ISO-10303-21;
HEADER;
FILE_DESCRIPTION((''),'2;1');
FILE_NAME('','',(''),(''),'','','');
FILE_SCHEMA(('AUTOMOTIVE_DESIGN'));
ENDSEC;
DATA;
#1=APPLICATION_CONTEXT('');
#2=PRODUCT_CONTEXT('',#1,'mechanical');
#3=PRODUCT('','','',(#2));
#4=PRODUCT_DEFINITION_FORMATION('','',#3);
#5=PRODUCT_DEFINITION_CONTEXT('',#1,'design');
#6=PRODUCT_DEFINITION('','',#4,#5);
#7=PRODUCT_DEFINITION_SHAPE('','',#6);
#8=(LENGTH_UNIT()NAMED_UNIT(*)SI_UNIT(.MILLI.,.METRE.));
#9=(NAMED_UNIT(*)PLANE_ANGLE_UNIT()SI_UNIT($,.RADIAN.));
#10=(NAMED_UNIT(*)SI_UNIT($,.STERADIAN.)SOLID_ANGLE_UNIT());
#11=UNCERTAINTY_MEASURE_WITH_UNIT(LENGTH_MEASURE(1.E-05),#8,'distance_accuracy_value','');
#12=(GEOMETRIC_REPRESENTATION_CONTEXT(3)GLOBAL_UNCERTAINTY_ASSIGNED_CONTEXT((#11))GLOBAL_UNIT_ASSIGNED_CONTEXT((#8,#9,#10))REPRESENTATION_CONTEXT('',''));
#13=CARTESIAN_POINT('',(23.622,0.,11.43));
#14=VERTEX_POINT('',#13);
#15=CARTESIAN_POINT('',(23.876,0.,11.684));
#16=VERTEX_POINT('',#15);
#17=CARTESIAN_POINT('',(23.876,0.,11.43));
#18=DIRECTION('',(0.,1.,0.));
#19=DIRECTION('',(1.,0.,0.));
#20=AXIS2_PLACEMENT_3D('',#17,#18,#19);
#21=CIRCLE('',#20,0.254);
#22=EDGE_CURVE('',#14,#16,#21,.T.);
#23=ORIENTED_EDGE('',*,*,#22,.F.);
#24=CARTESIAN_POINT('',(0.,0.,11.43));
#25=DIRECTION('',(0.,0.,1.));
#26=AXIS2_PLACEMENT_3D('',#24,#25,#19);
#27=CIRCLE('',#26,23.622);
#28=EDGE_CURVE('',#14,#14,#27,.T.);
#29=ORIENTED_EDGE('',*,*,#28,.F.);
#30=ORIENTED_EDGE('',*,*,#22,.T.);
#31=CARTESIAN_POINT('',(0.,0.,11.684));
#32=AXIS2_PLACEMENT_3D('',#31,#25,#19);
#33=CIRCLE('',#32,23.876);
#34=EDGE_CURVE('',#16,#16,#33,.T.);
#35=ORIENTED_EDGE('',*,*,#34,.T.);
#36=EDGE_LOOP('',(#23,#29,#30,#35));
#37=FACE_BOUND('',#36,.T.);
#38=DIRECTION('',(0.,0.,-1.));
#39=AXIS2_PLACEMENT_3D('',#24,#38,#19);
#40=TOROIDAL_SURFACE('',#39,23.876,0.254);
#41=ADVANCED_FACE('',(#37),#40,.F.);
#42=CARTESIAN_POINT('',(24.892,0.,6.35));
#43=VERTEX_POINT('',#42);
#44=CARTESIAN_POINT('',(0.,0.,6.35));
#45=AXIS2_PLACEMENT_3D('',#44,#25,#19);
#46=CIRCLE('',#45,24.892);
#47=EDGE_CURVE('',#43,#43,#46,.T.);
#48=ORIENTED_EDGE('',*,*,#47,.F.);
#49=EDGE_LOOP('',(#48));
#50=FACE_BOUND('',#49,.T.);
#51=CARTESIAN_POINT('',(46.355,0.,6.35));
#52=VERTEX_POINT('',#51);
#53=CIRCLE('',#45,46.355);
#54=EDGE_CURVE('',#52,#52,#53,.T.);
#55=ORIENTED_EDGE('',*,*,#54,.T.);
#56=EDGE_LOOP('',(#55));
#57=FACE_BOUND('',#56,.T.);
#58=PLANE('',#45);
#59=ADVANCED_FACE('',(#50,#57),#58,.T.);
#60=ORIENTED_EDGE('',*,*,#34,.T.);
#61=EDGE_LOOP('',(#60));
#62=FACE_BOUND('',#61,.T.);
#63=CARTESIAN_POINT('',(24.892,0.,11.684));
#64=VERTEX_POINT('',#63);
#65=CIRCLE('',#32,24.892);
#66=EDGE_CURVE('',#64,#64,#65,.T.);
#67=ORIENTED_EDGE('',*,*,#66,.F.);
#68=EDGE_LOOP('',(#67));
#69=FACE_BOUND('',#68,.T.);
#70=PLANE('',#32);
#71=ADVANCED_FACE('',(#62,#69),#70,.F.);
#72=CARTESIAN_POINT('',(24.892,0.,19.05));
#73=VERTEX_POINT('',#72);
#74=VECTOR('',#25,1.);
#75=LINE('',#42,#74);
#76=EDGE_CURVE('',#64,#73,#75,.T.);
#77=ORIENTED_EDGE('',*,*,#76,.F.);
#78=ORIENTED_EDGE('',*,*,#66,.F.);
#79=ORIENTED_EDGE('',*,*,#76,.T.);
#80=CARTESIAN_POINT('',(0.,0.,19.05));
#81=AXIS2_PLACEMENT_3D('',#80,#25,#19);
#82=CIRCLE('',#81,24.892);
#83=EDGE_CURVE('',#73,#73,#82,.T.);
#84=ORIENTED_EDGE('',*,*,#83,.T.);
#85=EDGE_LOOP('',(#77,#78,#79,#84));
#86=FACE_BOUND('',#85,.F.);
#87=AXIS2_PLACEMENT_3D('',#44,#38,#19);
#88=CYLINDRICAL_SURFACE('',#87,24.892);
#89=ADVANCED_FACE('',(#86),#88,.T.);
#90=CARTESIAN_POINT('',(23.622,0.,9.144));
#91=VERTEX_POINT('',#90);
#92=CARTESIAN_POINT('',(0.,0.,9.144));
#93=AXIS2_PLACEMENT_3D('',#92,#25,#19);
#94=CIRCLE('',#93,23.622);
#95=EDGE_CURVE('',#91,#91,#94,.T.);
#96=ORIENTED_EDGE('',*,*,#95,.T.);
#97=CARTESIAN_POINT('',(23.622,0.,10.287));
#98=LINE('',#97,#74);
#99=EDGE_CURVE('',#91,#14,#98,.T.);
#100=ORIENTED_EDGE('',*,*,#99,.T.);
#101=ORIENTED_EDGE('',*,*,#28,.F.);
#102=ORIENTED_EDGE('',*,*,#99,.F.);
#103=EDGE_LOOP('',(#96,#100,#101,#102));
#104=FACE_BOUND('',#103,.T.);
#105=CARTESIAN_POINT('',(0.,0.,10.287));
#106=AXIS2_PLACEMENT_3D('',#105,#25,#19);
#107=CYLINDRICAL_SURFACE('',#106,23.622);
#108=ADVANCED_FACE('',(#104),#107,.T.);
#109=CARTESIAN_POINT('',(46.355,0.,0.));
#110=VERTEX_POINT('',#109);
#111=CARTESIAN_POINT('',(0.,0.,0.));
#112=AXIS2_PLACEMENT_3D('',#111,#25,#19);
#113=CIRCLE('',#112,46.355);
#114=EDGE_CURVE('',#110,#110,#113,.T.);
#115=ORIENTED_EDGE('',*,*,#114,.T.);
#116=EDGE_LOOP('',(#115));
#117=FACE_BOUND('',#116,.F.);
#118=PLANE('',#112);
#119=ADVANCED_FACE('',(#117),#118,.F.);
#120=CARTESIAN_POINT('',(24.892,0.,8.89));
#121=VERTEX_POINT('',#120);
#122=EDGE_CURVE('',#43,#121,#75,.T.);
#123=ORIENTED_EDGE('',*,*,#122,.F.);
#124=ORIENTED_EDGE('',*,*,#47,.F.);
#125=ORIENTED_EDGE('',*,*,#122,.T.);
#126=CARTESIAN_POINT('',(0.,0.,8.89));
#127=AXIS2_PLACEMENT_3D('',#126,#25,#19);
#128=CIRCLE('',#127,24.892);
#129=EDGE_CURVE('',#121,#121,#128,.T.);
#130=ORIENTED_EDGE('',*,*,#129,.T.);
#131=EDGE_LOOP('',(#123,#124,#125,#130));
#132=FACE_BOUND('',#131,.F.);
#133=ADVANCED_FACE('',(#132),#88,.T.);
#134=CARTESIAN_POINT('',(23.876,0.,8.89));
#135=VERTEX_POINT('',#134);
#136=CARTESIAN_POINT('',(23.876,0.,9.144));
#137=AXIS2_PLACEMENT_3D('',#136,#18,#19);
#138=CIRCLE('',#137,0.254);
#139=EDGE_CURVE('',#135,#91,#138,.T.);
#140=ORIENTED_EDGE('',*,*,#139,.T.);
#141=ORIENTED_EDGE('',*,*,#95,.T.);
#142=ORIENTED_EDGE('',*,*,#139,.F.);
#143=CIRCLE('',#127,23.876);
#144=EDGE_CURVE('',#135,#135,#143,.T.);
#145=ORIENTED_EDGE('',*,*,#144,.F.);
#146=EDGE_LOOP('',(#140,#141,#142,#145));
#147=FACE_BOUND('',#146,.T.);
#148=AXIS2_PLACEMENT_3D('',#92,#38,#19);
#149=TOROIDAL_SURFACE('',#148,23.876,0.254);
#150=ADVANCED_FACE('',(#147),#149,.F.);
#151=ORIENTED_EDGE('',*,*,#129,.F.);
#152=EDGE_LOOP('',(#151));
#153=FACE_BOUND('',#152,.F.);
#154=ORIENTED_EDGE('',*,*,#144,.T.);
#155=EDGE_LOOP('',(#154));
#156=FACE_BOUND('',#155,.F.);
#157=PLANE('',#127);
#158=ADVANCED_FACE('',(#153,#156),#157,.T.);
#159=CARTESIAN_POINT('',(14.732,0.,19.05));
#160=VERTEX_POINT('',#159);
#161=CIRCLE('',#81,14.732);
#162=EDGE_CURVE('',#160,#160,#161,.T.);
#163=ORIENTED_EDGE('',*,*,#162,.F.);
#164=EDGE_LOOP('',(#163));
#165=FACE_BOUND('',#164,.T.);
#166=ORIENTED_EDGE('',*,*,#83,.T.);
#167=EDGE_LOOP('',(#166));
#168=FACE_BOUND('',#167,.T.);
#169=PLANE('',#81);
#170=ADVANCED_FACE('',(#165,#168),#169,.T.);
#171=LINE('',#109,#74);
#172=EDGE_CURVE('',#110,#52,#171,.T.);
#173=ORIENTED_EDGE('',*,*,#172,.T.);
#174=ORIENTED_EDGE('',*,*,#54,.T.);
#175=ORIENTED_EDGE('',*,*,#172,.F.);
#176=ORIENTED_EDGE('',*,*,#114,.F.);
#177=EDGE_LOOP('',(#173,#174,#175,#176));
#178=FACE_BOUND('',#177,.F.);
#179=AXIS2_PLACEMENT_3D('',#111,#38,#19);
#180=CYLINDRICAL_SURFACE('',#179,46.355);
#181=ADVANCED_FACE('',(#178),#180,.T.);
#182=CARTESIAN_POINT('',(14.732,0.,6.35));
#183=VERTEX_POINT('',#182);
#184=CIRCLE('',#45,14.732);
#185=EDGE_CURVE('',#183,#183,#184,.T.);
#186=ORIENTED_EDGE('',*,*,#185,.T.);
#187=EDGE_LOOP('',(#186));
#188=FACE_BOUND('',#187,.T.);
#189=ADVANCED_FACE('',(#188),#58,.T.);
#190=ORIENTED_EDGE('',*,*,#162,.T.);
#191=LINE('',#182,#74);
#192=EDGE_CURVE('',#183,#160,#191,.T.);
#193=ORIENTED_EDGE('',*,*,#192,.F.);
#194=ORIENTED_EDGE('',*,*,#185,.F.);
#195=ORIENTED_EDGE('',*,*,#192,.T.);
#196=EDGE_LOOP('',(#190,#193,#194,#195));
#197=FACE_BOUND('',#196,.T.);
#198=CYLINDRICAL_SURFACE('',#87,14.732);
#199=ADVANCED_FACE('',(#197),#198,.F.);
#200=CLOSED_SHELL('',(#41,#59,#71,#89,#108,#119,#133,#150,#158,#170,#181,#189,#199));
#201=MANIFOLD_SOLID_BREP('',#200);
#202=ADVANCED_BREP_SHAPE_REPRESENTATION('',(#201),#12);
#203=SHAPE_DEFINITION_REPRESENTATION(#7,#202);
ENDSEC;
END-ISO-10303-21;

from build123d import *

# Parameters (mm, degrees)
F0_R     = 46.355
F1_DEPTH = 6.35
F2_R     = 24.892
F2_R_2   = 14.732
F3_DEPTH = 12.7
F4_W     = 1.27
F4_H     = 2.794
F6_R     = 0.254


with BuildPart() as f1:
    # F0 (on Top) → F1 (new body)
    with BuildSketch(Plane.XY):
        Circle(F0_R)
    extrude(amount=F1_DEPTH)

    # F2 (on face) → F3 (join)
    with BuildSketch(Plane.XY.offset(6.35)):
        Circle(F2_R)
        Circle(F2_R_2, mode=Mode.SUBTRACT)
    extrude(amount=F3_DEPTH)

    # F4 (on Front) → F5 (revolve, cut)
    with BuildSketch(Plane.XZ):
        with Locations((24.257, 10.287)):
            Rectangle(F4_W, F4_H)
    revolve(axis=Axis((0, 0, 4.445), (0, 0, 1)), mode=Mode.SUBTRACT)

    # F6
    f6_edges = [f1.edges().sort_by_distance(p)[0] for p in [
        (-23.622, 0, 11.684),
        (-23.622, 0, 8.89),
    ]]
    fillet(f6_edges, radius=F6_R)


solid = f1.part
